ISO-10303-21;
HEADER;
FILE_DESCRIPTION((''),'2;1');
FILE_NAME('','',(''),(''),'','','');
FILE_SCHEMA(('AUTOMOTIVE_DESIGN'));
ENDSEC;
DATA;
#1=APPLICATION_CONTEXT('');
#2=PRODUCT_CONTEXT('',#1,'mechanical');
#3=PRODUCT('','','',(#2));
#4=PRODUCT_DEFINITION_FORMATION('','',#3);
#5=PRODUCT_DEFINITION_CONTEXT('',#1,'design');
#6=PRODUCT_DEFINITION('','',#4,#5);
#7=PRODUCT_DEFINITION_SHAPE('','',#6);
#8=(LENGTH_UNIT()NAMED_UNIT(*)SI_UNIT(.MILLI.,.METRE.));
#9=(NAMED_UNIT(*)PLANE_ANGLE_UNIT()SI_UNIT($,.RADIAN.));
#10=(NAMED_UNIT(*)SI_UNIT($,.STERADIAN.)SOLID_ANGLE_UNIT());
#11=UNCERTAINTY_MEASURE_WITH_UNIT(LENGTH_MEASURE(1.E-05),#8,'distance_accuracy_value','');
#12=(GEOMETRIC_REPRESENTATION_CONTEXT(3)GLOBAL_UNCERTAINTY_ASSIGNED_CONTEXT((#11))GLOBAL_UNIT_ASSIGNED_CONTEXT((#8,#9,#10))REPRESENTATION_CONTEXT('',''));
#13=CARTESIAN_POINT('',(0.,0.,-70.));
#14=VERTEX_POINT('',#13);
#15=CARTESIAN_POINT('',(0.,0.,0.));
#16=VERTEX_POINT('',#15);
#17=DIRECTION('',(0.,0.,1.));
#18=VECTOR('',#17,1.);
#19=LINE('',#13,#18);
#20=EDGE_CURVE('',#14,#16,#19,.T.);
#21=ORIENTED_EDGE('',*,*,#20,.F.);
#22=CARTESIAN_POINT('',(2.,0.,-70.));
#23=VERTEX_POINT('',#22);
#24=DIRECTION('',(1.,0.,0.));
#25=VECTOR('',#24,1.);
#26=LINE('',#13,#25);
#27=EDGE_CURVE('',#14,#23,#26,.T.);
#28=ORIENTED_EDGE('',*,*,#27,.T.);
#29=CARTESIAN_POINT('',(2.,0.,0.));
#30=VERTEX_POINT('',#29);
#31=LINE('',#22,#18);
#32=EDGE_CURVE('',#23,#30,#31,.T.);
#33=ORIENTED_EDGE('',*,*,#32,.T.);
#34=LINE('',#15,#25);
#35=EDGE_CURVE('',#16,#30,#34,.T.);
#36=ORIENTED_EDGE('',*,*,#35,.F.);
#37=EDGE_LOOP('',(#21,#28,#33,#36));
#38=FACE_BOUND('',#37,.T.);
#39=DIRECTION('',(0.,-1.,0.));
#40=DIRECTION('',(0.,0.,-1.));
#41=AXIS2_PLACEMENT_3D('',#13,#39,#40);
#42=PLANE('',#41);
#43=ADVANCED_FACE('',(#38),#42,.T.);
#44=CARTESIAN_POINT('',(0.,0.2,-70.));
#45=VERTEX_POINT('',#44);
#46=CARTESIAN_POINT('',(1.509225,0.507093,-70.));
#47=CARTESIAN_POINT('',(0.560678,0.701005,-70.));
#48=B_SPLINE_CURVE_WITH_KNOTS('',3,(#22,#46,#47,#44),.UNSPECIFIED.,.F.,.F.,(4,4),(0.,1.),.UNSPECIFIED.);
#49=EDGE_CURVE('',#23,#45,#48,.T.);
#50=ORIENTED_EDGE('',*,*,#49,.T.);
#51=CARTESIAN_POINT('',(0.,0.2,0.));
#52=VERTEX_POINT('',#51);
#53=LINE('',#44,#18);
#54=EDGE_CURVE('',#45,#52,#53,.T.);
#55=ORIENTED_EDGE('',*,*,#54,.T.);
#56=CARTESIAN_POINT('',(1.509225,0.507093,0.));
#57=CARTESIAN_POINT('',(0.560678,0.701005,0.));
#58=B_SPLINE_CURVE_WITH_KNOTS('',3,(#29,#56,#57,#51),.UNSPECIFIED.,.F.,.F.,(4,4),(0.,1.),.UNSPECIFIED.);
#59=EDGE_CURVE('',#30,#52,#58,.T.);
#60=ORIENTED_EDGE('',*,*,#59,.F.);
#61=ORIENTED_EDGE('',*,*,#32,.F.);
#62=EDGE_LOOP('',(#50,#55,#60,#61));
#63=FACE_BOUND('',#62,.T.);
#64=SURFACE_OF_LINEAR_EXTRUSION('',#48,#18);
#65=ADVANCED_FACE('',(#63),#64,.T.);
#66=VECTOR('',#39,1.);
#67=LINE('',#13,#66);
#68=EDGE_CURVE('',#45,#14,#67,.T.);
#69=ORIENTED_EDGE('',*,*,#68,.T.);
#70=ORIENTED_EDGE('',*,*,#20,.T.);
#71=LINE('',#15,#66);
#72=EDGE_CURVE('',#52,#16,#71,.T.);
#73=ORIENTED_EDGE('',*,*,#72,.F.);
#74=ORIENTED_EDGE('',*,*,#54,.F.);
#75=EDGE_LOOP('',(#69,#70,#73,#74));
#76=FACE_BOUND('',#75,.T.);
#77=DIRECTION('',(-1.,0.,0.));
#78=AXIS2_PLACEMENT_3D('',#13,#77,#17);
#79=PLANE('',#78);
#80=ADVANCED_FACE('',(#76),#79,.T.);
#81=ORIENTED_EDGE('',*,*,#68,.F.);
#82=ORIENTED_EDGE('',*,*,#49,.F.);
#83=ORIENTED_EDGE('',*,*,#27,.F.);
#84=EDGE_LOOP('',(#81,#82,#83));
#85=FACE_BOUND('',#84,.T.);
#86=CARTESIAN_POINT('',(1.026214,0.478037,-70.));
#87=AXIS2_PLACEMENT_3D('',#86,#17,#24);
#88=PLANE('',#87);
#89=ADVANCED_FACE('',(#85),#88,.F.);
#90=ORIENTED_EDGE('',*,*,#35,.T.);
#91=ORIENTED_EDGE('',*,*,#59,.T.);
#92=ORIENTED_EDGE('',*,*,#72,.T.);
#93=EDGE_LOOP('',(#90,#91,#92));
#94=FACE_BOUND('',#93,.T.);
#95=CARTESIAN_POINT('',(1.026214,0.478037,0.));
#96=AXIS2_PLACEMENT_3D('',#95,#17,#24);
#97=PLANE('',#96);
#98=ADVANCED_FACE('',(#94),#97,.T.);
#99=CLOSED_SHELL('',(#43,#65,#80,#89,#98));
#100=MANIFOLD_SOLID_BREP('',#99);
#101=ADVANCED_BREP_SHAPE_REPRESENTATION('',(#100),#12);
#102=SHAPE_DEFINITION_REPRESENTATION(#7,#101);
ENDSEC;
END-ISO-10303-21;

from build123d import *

# Parameters (mm, degrees)
BOSS_EXTRUDE1_DEPTH = 70


with BuildPart() as part:
    # Sketch1 → Boss-Extrude1 (new body)
    with BuildSketch(Plane.XY):
        with BuildLine():
            Line((0, 0), (2, 0))
            add(Edge.make_bspline(
                [(0, 0.2), (0.560678207, 0.70100515), (1.509225263, 0.507093259), (2, 0)],
                knots=[0, 0, 0, 0, 1, 1, 1, 1], degree=3))
            Line((0, 0.2), (0, 0))
        make_face()
    extrude(amount=-BOSS_EXTRUDE1_DEPTH)


solid = part.part
